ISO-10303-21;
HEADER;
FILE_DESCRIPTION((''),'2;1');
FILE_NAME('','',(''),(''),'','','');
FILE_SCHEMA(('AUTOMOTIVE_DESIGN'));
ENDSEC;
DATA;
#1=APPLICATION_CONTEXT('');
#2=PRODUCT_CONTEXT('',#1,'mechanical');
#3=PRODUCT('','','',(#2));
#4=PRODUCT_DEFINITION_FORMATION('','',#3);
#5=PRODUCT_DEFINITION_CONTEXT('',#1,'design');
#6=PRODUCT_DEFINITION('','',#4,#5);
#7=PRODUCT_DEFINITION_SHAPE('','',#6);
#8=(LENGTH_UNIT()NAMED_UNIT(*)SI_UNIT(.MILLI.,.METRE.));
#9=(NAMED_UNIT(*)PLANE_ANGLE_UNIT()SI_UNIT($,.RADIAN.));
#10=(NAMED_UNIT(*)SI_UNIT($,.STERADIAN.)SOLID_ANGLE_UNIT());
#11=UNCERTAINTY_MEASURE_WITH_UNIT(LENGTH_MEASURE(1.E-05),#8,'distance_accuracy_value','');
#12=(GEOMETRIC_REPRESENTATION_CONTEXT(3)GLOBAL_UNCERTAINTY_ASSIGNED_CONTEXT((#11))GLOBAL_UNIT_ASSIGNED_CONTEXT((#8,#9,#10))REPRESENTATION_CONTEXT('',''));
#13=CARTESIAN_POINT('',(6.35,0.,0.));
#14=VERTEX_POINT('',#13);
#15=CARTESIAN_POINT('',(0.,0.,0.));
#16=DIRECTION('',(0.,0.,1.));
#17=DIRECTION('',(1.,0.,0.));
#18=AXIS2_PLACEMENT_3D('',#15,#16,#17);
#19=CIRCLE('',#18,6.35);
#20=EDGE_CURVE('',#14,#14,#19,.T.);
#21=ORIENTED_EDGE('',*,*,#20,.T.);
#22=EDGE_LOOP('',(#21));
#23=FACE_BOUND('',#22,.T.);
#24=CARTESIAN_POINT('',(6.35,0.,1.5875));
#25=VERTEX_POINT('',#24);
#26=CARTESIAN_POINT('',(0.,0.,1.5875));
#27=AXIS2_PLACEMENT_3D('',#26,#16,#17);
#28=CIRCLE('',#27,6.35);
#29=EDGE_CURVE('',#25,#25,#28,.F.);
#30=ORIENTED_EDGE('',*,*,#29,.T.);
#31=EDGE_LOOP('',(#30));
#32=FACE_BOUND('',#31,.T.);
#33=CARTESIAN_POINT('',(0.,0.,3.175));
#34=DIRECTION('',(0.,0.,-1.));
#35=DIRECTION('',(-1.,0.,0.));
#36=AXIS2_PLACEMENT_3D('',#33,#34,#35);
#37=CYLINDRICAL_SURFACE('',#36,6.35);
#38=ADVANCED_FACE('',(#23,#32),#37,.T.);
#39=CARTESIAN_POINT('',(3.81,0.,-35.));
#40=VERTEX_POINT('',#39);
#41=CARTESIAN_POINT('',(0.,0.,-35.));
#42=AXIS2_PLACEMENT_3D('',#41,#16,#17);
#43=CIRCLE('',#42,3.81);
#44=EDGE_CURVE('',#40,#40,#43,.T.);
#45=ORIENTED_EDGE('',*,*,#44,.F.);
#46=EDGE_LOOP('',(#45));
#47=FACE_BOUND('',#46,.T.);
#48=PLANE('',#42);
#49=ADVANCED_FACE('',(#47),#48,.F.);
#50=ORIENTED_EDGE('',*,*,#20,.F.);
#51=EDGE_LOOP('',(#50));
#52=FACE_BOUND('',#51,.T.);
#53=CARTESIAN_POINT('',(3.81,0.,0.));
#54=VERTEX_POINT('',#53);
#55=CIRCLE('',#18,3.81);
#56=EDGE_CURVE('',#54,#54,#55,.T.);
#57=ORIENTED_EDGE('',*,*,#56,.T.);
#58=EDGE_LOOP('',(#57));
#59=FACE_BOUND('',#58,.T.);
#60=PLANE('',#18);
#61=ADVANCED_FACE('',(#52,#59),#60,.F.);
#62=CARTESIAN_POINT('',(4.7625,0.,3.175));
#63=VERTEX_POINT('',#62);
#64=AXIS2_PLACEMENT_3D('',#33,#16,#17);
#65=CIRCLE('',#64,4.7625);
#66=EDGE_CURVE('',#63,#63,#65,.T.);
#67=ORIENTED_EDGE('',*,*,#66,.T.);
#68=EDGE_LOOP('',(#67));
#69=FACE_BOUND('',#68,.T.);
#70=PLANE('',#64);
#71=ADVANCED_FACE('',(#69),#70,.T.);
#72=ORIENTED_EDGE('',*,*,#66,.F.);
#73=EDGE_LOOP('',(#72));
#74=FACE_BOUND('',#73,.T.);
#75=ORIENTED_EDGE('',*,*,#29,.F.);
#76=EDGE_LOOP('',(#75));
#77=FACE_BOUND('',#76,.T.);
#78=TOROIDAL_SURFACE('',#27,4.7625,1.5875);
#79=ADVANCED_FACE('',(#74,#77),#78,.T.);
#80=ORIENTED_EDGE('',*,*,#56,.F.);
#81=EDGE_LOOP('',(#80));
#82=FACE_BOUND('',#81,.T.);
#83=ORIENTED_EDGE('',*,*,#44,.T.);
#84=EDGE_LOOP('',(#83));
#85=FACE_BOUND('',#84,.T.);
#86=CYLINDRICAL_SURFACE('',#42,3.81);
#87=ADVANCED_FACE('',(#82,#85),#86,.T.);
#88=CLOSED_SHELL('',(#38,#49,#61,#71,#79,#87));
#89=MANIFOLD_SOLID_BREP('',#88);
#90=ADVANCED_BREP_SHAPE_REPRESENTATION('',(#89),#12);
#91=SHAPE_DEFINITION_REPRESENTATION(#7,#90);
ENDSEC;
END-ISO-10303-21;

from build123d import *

# Parameters (mm, degrees)
SKETCH1_R           = 3.81
BASE_EXTRUDE_DEPTH  = 35
SKETCH2_R           = 6.35
BOSS_EXTRUDE1_DEPTH = 3.175
FILLET1_R           = 1.5875


with BuildPart() as part:
    # Sketch1 → Base-Extrude (new body)
    with BuildSketch(Plane.XY):
        Circle(SKETCH1_R)
    extrude(amount=-BASE_EXTRUDE_DEPTH)

    # Sketch2 → Boss-Extrude1 (add)
    with BuildSketch(Plane.XY):
        Circle(SKETCH2_R)
    extrude(amount=BOSS_EXTRUDE1_DEPTH)

    # Fillet1
    fillet1_edges = [part.edges().sort_by_distance(p)[0] for p in [
        (-6.35, 0, 3.175),
    ]]
    fillet(fillet1_edges, radius=FILLET1_R)


solid = part.part
